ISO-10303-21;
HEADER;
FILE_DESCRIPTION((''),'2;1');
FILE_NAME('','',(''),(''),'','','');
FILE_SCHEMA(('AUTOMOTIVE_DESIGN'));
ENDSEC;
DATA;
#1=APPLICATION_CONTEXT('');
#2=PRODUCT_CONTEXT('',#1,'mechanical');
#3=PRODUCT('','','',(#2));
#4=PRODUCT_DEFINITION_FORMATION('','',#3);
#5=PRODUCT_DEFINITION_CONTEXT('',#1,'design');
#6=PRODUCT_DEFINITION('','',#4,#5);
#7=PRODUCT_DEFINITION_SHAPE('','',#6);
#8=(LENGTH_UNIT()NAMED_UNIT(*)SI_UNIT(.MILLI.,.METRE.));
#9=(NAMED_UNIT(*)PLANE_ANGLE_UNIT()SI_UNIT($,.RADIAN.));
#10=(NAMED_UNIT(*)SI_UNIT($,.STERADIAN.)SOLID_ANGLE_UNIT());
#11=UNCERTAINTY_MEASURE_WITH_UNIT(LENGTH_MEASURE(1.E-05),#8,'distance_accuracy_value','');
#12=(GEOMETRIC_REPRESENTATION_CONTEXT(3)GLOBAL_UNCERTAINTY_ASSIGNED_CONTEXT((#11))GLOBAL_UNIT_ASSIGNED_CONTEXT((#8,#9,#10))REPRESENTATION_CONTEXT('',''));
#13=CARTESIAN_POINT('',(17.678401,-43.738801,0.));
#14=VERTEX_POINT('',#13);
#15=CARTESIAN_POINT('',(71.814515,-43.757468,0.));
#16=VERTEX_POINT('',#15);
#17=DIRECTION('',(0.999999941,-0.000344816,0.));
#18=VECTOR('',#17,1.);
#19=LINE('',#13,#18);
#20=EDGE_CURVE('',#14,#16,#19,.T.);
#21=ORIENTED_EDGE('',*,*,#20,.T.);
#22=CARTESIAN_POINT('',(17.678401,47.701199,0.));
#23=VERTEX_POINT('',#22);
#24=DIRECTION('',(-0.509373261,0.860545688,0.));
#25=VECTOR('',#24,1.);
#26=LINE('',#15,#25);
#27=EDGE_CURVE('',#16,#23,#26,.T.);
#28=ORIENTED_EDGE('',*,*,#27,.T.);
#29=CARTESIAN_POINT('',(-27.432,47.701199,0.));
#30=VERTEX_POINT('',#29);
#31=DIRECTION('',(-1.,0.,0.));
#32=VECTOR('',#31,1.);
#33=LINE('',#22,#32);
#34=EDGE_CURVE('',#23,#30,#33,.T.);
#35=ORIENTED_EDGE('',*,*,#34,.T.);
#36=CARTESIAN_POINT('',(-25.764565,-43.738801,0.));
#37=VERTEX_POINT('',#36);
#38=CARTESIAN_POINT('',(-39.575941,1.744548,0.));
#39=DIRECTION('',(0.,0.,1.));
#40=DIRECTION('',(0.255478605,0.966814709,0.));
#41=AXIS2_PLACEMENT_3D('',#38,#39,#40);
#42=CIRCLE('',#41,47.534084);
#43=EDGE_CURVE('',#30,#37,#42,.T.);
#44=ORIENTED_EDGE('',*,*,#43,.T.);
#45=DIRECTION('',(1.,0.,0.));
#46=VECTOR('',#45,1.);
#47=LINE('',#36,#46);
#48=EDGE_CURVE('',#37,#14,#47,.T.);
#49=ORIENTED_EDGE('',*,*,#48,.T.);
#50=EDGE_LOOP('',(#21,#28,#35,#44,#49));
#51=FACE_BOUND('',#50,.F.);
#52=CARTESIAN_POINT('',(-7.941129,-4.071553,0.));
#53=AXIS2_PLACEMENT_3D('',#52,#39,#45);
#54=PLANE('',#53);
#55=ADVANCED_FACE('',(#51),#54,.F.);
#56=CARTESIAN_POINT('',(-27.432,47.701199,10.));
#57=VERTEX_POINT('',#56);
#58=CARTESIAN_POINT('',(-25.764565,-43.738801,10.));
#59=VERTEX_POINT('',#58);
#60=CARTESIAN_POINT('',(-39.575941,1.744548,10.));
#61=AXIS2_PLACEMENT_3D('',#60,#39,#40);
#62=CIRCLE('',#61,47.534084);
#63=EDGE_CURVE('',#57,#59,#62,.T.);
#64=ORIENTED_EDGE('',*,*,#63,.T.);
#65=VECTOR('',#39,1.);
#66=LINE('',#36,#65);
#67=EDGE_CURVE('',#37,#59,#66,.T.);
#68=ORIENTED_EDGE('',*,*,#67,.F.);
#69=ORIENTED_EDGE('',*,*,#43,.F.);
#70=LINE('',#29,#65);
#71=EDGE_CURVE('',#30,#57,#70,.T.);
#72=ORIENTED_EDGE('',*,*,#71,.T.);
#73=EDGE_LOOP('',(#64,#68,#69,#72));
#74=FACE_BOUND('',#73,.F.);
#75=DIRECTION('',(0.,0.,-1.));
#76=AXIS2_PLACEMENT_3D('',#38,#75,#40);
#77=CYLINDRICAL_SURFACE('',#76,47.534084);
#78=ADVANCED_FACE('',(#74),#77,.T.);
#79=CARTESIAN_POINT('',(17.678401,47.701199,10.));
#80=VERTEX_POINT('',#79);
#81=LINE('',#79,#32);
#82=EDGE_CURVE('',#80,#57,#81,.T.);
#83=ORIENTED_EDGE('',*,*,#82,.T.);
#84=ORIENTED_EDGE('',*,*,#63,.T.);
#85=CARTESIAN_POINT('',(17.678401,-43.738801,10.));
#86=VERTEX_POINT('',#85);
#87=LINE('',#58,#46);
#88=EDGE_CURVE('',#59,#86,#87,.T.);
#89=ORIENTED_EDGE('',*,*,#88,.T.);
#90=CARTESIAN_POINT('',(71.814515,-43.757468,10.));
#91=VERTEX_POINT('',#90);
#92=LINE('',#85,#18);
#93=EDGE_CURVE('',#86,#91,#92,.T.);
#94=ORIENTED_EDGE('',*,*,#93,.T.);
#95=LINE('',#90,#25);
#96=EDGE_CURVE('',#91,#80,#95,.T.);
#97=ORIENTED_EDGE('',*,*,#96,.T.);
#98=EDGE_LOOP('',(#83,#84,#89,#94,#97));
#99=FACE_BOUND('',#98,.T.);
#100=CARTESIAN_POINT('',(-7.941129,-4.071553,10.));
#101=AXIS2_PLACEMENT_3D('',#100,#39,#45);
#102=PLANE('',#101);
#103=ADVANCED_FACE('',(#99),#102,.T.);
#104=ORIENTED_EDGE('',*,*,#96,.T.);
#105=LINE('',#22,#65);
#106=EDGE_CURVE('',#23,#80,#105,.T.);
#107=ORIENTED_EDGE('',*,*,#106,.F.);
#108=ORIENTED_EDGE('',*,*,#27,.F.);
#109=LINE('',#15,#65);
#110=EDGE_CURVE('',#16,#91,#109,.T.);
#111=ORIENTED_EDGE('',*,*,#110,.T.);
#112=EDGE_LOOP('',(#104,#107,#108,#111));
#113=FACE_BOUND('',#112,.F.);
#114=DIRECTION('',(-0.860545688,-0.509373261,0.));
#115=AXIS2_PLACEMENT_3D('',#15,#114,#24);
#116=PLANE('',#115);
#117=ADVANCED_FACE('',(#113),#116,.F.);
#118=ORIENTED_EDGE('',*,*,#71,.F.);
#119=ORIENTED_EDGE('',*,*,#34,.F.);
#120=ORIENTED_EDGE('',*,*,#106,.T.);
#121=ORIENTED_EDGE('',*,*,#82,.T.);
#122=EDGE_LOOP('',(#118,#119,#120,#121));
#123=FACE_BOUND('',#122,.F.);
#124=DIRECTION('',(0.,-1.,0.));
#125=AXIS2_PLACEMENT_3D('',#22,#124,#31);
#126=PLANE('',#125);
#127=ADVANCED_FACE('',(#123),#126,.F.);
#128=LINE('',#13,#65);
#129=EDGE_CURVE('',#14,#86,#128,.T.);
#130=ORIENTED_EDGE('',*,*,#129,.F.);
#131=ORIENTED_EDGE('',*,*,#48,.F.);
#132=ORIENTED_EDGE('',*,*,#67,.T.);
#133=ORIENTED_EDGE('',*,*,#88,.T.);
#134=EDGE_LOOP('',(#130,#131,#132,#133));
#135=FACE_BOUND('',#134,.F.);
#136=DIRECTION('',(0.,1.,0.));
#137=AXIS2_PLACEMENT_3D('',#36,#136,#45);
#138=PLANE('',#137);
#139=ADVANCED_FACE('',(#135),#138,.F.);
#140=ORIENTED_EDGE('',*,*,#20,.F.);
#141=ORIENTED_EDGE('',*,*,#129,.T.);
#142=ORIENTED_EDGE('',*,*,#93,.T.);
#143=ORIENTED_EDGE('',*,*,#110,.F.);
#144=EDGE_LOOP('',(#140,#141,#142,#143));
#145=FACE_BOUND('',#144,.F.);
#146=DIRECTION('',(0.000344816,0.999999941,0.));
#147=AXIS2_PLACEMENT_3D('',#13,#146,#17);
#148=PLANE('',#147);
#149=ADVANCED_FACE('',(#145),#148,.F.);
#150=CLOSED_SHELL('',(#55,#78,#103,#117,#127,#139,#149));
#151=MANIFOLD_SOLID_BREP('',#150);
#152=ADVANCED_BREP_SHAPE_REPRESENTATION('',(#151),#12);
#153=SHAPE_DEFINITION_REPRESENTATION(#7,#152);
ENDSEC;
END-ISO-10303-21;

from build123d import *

# Parameters (mm, degrees)
F1_DEPTH = 10


with BuildPart() as f1:
    # F0 (on Top) → F1 (new body)
    with BuildSketch(Plane.XY):
        with BuildLine():
            Line((17.678401, 47.701199), (-27.432, 47.701199))
            ThreePointArc((-27.432, 47.701199), (-87.102124, 0.877894), (-25.764565, -43.738801))
            Line((-25.764565, -43.738801), (17.678401, -43.738801))
            Line((17.678401, -43.738801), (71.814515, -43.757468))
            Line((71.814515, -43.757468), (17.678401, 47.701199))
        make_face()
    extrude(amount=F1_DEPTH)


solid = f1.part
